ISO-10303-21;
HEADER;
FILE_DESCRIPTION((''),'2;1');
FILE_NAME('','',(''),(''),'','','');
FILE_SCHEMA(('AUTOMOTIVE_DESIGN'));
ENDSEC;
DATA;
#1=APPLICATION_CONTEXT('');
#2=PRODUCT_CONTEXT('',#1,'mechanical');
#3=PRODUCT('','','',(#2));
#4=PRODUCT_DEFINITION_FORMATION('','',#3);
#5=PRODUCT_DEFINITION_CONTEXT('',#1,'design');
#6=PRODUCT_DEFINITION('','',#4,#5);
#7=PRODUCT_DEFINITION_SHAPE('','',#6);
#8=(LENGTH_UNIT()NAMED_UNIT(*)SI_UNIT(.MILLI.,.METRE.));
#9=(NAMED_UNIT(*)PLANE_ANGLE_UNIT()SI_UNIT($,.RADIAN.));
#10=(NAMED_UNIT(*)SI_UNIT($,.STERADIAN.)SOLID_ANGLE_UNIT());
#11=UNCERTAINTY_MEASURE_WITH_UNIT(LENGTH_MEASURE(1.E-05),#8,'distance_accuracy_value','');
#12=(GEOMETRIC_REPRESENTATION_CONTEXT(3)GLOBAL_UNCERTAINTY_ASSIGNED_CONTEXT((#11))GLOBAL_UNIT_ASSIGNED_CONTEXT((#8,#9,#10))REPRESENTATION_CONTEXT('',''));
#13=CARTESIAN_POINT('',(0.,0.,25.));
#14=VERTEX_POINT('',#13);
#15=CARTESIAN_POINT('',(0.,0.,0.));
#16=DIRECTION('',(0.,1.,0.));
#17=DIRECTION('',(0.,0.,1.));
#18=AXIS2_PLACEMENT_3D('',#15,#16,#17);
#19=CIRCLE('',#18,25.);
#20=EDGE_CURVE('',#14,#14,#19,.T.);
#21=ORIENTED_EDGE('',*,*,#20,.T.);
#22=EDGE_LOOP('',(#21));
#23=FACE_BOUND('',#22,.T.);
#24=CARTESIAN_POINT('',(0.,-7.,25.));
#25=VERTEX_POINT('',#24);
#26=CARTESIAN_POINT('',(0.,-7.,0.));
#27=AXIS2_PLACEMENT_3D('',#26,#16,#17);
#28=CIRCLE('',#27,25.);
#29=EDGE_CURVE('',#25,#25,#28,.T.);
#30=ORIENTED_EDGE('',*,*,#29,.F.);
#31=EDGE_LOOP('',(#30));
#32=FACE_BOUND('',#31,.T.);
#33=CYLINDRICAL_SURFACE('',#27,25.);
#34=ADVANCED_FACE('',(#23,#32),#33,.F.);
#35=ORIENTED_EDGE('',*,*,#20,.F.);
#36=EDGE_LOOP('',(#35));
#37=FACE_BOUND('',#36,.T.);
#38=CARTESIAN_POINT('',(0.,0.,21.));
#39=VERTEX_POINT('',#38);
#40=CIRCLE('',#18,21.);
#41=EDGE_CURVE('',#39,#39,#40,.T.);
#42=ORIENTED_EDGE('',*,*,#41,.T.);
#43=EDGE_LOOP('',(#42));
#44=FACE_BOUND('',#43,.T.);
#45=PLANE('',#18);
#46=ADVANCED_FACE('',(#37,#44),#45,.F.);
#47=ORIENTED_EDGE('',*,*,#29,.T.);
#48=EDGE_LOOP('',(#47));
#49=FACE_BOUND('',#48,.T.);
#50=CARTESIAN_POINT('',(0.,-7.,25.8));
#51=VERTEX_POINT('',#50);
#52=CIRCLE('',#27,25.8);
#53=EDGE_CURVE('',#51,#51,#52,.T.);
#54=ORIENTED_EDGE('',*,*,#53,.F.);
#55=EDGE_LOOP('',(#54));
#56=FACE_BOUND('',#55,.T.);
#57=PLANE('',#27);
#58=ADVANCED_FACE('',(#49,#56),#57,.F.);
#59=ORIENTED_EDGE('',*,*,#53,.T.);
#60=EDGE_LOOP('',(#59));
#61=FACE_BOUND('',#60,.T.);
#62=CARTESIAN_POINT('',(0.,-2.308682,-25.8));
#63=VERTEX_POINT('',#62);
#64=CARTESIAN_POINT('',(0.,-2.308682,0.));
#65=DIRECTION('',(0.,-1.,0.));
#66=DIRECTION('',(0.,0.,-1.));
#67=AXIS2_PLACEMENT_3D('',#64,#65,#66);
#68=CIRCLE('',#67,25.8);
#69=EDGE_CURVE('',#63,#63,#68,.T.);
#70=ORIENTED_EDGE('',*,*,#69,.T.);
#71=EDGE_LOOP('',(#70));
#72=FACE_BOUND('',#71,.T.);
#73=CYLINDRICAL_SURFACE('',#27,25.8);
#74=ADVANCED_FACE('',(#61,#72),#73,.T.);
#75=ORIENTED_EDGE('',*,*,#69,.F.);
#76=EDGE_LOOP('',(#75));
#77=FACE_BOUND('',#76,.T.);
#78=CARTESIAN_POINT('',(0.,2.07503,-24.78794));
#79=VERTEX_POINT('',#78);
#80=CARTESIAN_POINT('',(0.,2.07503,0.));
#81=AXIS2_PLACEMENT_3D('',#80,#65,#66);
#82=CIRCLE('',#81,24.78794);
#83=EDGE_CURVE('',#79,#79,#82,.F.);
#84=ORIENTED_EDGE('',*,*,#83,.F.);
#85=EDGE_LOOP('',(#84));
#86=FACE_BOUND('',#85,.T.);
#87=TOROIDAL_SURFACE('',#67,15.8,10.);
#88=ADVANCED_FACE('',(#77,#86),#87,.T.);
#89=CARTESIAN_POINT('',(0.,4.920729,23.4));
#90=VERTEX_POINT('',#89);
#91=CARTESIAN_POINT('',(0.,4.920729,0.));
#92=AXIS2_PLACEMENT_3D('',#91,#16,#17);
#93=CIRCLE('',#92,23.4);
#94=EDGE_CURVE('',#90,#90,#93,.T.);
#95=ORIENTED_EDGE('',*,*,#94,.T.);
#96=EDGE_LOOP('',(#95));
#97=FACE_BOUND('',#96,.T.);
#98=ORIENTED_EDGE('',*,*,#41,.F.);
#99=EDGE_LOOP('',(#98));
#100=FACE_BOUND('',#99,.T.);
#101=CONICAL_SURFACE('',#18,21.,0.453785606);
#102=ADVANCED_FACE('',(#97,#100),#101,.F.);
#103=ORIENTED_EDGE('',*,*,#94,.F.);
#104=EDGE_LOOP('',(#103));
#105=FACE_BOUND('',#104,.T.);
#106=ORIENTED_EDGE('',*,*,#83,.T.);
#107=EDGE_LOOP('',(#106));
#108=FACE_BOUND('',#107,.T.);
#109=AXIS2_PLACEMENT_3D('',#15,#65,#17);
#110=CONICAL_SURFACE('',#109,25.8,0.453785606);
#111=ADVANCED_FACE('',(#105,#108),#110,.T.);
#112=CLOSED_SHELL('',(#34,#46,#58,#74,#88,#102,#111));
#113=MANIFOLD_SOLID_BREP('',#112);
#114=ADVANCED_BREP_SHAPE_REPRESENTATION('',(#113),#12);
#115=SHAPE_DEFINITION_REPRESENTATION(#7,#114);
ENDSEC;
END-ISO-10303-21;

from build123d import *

# Parameters (mm, degrees)
SKETCH1_R           = 25.8
SKETCH1_R_2         = 25
BOSS_EXTRUDE1_DEPTH = 7
SKETCH2_R           = 25.8
SKETCH2_R_2         = 21
BOSS_EXTRUDE2_DEPTH = 5
BOSS_EXTRUDE2_TAPER = 26
FILLET3_R           = 10


with BuildPart() as part:
    # Sketch1 → Boss-Extrude1 (new body)
    with BuildSketch(Plane(origin=(0, 0, 0), x_dir=(1, 0, 0), z_dir=(0, 1, 0))):
        with Locations(Location((0, 0, 0), (0, 0, 270))):
            Circle(SKETCH1_R)
        with Locations(Location((0, 0, 0), (0, 0, 270))):
            Circle(SKETCH1_R_2, mode=Mode.SUBTRACT)
    extrude(amount=-BOSS_EXTRUDE1_DEPTH)

    # Sketch2 → Boss-Extrude2 (add)
    with BuildSketch(Plane(origin=(0, 0, 0), x_dir=(1, 0, 0), z_dir=(0, 1, 0))):
        with Locations(Location((0, 0, 0), (0, 0, 270))):
            Circle(SKETCH2_R)
        Circle(SKETCH2_R_2, mode=Mode.SUBTRACT)
    extrude(amount=BOSS_EXTRUDE2_DEPTH, taper=BOSS_EXTRUDE2_TAPER)

    # Fillet3
    fillet3_edges = [part.edges().sort_by_distance(p)[0] for p in [
        (0, 0, -25.8),
    ]]
    fillet(fillet3_edges, radius=FILLET3_R)


solid = part.part
